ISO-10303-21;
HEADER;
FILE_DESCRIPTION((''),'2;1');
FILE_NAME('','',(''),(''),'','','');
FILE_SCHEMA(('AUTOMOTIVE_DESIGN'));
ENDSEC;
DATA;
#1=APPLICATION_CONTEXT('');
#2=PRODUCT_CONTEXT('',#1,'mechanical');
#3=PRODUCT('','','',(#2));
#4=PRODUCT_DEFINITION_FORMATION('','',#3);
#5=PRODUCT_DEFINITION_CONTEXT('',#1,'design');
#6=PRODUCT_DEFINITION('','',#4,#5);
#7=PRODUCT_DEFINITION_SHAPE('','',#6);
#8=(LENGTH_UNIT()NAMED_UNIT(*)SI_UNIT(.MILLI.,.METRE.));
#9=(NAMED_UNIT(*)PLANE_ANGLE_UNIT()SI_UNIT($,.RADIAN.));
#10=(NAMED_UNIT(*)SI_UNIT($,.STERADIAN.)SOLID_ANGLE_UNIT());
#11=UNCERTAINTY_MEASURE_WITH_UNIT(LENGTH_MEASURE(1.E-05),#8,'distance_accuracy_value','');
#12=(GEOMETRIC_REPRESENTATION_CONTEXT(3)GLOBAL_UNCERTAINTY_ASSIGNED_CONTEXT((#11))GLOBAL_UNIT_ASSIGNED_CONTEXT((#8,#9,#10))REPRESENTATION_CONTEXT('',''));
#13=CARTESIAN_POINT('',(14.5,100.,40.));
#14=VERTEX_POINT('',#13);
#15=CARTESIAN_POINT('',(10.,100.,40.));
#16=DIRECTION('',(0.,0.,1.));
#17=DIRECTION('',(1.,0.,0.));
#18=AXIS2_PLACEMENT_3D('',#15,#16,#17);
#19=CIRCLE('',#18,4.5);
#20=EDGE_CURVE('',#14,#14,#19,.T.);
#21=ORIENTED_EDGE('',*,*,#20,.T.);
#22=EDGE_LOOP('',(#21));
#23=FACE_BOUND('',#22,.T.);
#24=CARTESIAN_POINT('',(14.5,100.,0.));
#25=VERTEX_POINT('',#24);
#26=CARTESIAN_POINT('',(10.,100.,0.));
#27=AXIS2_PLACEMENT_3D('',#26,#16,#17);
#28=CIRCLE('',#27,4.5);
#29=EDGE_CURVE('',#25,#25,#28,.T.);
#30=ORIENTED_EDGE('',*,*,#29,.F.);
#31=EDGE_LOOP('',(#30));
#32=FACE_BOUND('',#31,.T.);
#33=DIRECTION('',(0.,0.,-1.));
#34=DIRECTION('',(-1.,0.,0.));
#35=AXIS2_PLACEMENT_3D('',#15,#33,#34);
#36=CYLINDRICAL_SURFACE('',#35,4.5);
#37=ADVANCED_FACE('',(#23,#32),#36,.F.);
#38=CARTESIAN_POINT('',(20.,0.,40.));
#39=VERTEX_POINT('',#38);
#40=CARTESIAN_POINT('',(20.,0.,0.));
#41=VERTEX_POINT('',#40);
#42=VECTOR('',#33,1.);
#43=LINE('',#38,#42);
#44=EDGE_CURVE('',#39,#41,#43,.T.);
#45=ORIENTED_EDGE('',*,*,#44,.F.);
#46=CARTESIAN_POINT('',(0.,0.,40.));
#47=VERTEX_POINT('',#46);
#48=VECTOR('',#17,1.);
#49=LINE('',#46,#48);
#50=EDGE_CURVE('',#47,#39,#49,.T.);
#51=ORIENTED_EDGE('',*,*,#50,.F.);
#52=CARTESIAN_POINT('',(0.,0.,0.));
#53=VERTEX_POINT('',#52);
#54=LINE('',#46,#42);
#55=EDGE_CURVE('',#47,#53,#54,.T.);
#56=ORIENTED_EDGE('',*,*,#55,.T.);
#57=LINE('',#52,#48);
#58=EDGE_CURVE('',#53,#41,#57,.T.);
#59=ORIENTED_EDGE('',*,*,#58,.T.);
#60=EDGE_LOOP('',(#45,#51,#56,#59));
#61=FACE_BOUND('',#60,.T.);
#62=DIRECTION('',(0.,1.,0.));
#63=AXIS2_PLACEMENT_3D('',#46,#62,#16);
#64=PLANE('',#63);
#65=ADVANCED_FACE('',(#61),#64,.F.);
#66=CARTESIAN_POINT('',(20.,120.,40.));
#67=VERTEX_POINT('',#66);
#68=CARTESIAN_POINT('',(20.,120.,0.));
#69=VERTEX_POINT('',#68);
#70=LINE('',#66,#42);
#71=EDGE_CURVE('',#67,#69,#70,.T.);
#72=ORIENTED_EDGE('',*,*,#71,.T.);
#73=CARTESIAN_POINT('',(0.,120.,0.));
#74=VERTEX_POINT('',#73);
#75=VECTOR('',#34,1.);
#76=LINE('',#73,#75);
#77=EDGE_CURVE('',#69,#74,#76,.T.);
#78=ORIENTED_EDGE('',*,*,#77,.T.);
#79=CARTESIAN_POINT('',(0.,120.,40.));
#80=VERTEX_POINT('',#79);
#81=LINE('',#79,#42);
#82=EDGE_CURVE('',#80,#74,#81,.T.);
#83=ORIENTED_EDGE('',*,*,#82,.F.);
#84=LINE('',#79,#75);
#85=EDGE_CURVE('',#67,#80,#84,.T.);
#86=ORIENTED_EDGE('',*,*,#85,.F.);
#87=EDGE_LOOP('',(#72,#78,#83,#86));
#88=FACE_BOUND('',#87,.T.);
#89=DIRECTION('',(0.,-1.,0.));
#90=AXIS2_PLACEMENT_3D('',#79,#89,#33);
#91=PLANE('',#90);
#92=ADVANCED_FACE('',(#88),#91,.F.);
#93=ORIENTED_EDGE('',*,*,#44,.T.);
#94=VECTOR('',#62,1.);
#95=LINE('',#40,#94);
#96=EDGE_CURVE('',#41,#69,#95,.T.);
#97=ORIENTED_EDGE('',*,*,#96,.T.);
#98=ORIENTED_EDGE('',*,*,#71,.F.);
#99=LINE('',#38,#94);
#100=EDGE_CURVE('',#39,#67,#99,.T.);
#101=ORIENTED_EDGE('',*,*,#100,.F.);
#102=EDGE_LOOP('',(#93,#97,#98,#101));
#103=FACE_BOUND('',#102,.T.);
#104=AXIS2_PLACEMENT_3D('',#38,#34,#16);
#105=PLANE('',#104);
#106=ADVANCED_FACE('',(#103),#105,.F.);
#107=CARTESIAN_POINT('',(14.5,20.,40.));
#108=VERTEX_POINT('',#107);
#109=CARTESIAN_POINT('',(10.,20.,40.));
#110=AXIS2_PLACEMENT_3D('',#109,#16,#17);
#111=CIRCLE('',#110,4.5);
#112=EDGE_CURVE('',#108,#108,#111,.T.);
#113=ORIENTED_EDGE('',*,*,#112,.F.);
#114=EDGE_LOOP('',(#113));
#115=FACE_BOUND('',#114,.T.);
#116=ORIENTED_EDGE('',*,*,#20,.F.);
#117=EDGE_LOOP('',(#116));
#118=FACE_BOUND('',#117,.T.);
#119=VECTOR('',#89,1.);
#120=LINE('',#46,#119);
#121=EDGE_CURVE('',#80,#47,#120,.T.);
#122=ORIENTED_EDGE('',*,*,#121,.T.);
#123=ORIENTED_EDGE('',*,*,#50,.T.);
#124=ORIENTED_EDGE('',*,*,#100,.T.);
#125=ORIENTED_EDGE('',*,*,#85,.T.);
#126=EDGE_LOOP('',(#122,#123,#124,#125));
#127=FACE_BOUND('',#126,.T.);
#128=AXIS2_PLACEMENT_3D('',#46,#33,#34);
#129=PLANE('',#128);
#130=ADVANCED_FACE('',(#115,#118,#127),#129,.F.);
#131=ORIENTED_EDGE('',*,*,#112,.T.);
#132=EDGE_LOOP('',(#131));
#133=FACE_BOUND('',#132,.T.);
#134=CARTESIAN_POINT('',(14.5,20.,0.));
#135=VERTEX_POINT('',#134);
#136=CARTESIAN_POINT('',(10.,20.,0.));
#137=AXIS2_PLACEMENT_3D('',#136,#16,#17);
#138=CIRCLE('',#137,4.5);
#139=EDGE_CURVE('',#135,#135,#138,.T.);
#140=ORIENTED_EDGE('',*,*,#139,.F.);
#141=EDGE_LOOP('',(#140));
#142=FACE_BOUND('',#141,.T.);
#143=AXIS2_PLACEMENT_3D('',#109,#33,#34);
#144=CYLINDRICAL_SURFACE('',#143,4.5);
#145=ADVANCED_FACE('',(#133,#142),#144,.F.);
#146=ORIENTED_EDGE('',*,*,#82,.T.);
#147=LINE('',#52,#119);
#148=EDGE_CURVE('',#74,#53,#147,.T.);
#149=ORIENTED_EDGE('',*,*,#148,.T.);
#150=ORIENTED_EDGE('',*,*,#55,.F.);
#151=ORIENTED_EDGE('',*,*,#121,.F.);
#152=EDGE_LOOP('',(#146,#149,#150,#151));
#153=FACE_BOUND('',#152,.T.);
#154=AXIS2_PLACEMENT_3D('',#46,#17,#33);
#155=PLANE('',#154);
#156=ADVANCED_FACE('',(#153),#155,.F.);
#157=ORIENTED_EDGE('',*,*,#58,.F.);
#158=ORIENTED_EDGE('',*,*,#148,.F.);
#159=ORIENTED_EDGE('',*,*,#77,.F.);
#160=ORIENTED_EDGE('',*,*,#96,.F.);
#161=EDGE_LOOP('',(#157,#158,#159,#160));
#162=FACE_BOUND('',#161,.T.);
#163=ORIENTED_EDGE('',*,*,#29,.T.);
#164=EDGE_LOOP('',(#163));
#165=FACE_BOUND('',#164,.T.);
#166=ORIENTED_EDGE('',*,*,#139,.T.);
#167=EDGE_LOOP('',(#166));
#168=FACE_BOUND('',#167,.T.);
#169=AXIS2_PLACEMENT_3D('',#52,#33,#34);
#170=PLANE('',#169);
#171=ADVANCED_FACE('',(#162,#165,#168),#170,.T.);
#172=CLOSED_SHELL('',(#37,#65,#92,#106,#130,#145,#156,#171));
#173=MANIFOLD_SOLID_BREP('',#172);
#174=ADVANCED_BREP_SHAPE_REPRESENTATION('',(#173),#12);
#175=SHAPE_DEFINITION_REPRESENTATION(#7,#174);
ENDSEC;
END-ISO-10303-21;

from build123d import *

# Parameters (mm, degrees)
SKETCH_1_W                  = 20
SKETCH_1_H                  = 120
SKETCH_1_R                  = 4.5
SLIDING_JAW_20X120X40_DEPTH = 40


with BuildPart() as part:
    # 草图1 → Sliding_jaw_20x120x40 (new body)
    with BuildSketch(Plane.XY):
        with Locations((10, 60)):
            Rectangle(SKETCH_1_W, SKETCH_1_H)
        with Locations((10, 20)):
            Circle(SKETCH_1_R, mode=Mode.SUBTRACT)
        with Locations((10, 100)):
            Circle(SKETCH_1_R, mode=Mode.SUBTRACT)
    extrude(amount=SLIDING_JAW_20X120X40_DEPTH)


solid = part.part
